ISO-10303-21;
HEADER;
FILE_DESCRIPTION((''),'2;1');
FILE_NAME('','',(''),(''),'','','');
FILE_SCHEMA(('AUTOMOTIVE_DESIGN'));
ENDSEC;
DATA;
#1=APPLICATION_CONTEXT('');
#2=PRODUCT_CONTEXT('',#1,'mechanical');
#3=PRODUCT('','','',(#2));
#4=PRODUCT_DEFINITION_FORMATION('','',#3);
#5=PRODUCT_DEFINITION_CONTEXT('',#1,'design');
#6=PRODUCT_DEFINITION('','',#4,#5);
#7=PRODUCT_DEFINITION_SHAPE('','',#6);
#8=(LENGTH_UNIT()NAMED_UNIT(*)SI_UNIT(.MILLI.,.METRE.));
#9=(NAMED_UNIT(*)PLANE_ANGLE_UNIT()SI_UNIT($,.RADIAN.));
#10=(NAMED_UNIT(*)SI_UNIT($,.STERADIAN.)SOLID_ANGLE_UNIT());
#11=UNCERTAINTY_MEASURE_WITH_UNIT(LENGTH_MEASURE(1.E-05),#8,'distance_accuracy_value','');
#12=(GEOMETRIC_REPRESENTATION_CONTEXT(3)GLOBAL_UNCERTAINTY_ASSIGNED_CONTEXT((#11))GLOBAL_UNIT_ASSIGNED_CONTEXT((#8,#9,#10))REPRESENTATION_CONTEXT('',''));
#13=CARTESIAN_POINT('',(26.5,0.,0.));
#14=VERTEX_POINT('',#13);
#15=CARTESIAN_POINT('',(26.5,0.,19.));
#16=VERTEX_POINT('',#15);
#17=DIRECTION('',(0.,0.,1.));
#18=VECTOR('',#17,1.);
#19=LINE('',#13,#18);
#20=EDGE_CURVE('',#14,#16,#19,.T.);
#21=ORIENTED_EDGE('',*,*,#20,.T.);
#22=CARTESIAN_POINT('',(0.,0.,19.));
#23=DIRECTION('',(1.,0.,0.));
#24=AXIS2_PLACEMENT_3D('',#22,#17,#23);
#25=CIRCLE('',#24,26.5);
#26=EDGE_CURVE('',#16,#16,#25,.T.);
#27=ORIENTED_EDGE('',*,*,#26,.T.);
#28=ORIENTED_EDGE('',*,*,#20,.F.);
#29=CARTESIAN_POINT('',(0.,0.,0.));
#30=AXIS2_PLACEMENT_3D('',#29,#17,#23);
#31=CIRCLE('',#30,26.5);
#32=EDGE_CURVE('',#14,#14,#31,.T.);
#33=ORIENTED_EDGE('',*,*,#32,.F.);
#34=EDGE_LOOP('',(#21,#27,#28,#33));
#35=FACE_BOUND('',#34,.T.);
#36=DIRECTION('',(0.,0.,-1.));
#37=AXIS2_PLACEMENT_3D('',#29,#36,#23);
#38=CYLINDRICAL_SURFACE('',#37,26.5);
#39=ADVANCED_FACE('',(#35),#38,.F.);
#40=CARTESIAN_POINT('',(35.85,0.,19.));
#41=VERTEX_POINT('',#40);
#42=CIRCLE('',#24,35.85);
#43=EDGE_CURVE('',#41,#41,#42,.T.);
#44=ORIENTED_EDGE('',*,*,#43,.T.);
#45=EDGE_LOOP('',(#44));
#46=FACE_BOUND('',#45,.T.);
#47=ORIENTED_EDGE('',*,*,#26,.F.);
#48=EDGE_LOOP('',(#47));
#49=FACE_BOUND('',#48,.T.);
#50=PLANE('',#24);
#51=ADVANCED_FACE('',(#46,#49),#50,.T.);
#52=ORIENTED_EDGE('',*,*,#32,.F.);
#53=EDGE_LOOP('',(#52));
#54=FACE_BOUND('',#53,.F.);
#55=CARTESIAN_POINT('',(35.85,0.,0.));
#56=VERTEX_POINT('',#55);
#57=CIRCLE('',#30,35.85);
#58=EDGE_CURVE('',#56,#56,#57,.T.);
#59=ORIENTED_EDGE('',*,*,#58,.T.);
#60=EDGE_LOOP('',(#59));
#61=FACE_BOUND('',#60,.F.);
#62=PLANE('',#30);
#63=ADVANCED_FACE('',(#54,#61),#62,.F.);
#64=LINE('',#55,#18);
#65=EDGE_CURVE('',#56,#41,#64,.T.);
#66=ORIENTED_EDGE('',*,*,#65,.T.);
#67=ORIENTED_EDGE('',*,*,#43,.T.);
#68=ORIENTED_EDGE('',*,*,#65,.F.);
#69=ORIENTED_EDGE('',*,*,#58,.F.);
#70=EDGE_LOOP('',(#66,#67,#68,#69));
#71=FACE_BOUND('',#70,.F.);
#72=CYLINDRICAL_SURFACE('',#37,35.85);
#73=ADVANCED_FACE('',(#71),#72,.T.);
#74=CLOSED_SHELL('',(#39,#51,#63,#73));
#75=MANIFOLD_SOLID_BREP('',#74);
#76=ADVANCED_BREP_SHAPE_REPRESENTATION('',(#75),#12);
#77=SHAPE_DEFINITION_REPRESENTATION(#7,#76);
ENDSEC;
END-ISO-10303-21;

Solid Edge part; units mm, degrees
sketch "Sketch1" plane through (0, 0, 0) normal (0, 0, 1) x (1, 0, 0)
  circle A0 centre (0, 0) radius 35.85
  circle A1 centre (0, 0) radius 26.5
  dimension "D1" = 53
  dimension "D2" = 71.7
extrude "Protrusion1" add sketch "Sketch1" along normal blind 19
properties material "Aluminum, 6061-T6"
